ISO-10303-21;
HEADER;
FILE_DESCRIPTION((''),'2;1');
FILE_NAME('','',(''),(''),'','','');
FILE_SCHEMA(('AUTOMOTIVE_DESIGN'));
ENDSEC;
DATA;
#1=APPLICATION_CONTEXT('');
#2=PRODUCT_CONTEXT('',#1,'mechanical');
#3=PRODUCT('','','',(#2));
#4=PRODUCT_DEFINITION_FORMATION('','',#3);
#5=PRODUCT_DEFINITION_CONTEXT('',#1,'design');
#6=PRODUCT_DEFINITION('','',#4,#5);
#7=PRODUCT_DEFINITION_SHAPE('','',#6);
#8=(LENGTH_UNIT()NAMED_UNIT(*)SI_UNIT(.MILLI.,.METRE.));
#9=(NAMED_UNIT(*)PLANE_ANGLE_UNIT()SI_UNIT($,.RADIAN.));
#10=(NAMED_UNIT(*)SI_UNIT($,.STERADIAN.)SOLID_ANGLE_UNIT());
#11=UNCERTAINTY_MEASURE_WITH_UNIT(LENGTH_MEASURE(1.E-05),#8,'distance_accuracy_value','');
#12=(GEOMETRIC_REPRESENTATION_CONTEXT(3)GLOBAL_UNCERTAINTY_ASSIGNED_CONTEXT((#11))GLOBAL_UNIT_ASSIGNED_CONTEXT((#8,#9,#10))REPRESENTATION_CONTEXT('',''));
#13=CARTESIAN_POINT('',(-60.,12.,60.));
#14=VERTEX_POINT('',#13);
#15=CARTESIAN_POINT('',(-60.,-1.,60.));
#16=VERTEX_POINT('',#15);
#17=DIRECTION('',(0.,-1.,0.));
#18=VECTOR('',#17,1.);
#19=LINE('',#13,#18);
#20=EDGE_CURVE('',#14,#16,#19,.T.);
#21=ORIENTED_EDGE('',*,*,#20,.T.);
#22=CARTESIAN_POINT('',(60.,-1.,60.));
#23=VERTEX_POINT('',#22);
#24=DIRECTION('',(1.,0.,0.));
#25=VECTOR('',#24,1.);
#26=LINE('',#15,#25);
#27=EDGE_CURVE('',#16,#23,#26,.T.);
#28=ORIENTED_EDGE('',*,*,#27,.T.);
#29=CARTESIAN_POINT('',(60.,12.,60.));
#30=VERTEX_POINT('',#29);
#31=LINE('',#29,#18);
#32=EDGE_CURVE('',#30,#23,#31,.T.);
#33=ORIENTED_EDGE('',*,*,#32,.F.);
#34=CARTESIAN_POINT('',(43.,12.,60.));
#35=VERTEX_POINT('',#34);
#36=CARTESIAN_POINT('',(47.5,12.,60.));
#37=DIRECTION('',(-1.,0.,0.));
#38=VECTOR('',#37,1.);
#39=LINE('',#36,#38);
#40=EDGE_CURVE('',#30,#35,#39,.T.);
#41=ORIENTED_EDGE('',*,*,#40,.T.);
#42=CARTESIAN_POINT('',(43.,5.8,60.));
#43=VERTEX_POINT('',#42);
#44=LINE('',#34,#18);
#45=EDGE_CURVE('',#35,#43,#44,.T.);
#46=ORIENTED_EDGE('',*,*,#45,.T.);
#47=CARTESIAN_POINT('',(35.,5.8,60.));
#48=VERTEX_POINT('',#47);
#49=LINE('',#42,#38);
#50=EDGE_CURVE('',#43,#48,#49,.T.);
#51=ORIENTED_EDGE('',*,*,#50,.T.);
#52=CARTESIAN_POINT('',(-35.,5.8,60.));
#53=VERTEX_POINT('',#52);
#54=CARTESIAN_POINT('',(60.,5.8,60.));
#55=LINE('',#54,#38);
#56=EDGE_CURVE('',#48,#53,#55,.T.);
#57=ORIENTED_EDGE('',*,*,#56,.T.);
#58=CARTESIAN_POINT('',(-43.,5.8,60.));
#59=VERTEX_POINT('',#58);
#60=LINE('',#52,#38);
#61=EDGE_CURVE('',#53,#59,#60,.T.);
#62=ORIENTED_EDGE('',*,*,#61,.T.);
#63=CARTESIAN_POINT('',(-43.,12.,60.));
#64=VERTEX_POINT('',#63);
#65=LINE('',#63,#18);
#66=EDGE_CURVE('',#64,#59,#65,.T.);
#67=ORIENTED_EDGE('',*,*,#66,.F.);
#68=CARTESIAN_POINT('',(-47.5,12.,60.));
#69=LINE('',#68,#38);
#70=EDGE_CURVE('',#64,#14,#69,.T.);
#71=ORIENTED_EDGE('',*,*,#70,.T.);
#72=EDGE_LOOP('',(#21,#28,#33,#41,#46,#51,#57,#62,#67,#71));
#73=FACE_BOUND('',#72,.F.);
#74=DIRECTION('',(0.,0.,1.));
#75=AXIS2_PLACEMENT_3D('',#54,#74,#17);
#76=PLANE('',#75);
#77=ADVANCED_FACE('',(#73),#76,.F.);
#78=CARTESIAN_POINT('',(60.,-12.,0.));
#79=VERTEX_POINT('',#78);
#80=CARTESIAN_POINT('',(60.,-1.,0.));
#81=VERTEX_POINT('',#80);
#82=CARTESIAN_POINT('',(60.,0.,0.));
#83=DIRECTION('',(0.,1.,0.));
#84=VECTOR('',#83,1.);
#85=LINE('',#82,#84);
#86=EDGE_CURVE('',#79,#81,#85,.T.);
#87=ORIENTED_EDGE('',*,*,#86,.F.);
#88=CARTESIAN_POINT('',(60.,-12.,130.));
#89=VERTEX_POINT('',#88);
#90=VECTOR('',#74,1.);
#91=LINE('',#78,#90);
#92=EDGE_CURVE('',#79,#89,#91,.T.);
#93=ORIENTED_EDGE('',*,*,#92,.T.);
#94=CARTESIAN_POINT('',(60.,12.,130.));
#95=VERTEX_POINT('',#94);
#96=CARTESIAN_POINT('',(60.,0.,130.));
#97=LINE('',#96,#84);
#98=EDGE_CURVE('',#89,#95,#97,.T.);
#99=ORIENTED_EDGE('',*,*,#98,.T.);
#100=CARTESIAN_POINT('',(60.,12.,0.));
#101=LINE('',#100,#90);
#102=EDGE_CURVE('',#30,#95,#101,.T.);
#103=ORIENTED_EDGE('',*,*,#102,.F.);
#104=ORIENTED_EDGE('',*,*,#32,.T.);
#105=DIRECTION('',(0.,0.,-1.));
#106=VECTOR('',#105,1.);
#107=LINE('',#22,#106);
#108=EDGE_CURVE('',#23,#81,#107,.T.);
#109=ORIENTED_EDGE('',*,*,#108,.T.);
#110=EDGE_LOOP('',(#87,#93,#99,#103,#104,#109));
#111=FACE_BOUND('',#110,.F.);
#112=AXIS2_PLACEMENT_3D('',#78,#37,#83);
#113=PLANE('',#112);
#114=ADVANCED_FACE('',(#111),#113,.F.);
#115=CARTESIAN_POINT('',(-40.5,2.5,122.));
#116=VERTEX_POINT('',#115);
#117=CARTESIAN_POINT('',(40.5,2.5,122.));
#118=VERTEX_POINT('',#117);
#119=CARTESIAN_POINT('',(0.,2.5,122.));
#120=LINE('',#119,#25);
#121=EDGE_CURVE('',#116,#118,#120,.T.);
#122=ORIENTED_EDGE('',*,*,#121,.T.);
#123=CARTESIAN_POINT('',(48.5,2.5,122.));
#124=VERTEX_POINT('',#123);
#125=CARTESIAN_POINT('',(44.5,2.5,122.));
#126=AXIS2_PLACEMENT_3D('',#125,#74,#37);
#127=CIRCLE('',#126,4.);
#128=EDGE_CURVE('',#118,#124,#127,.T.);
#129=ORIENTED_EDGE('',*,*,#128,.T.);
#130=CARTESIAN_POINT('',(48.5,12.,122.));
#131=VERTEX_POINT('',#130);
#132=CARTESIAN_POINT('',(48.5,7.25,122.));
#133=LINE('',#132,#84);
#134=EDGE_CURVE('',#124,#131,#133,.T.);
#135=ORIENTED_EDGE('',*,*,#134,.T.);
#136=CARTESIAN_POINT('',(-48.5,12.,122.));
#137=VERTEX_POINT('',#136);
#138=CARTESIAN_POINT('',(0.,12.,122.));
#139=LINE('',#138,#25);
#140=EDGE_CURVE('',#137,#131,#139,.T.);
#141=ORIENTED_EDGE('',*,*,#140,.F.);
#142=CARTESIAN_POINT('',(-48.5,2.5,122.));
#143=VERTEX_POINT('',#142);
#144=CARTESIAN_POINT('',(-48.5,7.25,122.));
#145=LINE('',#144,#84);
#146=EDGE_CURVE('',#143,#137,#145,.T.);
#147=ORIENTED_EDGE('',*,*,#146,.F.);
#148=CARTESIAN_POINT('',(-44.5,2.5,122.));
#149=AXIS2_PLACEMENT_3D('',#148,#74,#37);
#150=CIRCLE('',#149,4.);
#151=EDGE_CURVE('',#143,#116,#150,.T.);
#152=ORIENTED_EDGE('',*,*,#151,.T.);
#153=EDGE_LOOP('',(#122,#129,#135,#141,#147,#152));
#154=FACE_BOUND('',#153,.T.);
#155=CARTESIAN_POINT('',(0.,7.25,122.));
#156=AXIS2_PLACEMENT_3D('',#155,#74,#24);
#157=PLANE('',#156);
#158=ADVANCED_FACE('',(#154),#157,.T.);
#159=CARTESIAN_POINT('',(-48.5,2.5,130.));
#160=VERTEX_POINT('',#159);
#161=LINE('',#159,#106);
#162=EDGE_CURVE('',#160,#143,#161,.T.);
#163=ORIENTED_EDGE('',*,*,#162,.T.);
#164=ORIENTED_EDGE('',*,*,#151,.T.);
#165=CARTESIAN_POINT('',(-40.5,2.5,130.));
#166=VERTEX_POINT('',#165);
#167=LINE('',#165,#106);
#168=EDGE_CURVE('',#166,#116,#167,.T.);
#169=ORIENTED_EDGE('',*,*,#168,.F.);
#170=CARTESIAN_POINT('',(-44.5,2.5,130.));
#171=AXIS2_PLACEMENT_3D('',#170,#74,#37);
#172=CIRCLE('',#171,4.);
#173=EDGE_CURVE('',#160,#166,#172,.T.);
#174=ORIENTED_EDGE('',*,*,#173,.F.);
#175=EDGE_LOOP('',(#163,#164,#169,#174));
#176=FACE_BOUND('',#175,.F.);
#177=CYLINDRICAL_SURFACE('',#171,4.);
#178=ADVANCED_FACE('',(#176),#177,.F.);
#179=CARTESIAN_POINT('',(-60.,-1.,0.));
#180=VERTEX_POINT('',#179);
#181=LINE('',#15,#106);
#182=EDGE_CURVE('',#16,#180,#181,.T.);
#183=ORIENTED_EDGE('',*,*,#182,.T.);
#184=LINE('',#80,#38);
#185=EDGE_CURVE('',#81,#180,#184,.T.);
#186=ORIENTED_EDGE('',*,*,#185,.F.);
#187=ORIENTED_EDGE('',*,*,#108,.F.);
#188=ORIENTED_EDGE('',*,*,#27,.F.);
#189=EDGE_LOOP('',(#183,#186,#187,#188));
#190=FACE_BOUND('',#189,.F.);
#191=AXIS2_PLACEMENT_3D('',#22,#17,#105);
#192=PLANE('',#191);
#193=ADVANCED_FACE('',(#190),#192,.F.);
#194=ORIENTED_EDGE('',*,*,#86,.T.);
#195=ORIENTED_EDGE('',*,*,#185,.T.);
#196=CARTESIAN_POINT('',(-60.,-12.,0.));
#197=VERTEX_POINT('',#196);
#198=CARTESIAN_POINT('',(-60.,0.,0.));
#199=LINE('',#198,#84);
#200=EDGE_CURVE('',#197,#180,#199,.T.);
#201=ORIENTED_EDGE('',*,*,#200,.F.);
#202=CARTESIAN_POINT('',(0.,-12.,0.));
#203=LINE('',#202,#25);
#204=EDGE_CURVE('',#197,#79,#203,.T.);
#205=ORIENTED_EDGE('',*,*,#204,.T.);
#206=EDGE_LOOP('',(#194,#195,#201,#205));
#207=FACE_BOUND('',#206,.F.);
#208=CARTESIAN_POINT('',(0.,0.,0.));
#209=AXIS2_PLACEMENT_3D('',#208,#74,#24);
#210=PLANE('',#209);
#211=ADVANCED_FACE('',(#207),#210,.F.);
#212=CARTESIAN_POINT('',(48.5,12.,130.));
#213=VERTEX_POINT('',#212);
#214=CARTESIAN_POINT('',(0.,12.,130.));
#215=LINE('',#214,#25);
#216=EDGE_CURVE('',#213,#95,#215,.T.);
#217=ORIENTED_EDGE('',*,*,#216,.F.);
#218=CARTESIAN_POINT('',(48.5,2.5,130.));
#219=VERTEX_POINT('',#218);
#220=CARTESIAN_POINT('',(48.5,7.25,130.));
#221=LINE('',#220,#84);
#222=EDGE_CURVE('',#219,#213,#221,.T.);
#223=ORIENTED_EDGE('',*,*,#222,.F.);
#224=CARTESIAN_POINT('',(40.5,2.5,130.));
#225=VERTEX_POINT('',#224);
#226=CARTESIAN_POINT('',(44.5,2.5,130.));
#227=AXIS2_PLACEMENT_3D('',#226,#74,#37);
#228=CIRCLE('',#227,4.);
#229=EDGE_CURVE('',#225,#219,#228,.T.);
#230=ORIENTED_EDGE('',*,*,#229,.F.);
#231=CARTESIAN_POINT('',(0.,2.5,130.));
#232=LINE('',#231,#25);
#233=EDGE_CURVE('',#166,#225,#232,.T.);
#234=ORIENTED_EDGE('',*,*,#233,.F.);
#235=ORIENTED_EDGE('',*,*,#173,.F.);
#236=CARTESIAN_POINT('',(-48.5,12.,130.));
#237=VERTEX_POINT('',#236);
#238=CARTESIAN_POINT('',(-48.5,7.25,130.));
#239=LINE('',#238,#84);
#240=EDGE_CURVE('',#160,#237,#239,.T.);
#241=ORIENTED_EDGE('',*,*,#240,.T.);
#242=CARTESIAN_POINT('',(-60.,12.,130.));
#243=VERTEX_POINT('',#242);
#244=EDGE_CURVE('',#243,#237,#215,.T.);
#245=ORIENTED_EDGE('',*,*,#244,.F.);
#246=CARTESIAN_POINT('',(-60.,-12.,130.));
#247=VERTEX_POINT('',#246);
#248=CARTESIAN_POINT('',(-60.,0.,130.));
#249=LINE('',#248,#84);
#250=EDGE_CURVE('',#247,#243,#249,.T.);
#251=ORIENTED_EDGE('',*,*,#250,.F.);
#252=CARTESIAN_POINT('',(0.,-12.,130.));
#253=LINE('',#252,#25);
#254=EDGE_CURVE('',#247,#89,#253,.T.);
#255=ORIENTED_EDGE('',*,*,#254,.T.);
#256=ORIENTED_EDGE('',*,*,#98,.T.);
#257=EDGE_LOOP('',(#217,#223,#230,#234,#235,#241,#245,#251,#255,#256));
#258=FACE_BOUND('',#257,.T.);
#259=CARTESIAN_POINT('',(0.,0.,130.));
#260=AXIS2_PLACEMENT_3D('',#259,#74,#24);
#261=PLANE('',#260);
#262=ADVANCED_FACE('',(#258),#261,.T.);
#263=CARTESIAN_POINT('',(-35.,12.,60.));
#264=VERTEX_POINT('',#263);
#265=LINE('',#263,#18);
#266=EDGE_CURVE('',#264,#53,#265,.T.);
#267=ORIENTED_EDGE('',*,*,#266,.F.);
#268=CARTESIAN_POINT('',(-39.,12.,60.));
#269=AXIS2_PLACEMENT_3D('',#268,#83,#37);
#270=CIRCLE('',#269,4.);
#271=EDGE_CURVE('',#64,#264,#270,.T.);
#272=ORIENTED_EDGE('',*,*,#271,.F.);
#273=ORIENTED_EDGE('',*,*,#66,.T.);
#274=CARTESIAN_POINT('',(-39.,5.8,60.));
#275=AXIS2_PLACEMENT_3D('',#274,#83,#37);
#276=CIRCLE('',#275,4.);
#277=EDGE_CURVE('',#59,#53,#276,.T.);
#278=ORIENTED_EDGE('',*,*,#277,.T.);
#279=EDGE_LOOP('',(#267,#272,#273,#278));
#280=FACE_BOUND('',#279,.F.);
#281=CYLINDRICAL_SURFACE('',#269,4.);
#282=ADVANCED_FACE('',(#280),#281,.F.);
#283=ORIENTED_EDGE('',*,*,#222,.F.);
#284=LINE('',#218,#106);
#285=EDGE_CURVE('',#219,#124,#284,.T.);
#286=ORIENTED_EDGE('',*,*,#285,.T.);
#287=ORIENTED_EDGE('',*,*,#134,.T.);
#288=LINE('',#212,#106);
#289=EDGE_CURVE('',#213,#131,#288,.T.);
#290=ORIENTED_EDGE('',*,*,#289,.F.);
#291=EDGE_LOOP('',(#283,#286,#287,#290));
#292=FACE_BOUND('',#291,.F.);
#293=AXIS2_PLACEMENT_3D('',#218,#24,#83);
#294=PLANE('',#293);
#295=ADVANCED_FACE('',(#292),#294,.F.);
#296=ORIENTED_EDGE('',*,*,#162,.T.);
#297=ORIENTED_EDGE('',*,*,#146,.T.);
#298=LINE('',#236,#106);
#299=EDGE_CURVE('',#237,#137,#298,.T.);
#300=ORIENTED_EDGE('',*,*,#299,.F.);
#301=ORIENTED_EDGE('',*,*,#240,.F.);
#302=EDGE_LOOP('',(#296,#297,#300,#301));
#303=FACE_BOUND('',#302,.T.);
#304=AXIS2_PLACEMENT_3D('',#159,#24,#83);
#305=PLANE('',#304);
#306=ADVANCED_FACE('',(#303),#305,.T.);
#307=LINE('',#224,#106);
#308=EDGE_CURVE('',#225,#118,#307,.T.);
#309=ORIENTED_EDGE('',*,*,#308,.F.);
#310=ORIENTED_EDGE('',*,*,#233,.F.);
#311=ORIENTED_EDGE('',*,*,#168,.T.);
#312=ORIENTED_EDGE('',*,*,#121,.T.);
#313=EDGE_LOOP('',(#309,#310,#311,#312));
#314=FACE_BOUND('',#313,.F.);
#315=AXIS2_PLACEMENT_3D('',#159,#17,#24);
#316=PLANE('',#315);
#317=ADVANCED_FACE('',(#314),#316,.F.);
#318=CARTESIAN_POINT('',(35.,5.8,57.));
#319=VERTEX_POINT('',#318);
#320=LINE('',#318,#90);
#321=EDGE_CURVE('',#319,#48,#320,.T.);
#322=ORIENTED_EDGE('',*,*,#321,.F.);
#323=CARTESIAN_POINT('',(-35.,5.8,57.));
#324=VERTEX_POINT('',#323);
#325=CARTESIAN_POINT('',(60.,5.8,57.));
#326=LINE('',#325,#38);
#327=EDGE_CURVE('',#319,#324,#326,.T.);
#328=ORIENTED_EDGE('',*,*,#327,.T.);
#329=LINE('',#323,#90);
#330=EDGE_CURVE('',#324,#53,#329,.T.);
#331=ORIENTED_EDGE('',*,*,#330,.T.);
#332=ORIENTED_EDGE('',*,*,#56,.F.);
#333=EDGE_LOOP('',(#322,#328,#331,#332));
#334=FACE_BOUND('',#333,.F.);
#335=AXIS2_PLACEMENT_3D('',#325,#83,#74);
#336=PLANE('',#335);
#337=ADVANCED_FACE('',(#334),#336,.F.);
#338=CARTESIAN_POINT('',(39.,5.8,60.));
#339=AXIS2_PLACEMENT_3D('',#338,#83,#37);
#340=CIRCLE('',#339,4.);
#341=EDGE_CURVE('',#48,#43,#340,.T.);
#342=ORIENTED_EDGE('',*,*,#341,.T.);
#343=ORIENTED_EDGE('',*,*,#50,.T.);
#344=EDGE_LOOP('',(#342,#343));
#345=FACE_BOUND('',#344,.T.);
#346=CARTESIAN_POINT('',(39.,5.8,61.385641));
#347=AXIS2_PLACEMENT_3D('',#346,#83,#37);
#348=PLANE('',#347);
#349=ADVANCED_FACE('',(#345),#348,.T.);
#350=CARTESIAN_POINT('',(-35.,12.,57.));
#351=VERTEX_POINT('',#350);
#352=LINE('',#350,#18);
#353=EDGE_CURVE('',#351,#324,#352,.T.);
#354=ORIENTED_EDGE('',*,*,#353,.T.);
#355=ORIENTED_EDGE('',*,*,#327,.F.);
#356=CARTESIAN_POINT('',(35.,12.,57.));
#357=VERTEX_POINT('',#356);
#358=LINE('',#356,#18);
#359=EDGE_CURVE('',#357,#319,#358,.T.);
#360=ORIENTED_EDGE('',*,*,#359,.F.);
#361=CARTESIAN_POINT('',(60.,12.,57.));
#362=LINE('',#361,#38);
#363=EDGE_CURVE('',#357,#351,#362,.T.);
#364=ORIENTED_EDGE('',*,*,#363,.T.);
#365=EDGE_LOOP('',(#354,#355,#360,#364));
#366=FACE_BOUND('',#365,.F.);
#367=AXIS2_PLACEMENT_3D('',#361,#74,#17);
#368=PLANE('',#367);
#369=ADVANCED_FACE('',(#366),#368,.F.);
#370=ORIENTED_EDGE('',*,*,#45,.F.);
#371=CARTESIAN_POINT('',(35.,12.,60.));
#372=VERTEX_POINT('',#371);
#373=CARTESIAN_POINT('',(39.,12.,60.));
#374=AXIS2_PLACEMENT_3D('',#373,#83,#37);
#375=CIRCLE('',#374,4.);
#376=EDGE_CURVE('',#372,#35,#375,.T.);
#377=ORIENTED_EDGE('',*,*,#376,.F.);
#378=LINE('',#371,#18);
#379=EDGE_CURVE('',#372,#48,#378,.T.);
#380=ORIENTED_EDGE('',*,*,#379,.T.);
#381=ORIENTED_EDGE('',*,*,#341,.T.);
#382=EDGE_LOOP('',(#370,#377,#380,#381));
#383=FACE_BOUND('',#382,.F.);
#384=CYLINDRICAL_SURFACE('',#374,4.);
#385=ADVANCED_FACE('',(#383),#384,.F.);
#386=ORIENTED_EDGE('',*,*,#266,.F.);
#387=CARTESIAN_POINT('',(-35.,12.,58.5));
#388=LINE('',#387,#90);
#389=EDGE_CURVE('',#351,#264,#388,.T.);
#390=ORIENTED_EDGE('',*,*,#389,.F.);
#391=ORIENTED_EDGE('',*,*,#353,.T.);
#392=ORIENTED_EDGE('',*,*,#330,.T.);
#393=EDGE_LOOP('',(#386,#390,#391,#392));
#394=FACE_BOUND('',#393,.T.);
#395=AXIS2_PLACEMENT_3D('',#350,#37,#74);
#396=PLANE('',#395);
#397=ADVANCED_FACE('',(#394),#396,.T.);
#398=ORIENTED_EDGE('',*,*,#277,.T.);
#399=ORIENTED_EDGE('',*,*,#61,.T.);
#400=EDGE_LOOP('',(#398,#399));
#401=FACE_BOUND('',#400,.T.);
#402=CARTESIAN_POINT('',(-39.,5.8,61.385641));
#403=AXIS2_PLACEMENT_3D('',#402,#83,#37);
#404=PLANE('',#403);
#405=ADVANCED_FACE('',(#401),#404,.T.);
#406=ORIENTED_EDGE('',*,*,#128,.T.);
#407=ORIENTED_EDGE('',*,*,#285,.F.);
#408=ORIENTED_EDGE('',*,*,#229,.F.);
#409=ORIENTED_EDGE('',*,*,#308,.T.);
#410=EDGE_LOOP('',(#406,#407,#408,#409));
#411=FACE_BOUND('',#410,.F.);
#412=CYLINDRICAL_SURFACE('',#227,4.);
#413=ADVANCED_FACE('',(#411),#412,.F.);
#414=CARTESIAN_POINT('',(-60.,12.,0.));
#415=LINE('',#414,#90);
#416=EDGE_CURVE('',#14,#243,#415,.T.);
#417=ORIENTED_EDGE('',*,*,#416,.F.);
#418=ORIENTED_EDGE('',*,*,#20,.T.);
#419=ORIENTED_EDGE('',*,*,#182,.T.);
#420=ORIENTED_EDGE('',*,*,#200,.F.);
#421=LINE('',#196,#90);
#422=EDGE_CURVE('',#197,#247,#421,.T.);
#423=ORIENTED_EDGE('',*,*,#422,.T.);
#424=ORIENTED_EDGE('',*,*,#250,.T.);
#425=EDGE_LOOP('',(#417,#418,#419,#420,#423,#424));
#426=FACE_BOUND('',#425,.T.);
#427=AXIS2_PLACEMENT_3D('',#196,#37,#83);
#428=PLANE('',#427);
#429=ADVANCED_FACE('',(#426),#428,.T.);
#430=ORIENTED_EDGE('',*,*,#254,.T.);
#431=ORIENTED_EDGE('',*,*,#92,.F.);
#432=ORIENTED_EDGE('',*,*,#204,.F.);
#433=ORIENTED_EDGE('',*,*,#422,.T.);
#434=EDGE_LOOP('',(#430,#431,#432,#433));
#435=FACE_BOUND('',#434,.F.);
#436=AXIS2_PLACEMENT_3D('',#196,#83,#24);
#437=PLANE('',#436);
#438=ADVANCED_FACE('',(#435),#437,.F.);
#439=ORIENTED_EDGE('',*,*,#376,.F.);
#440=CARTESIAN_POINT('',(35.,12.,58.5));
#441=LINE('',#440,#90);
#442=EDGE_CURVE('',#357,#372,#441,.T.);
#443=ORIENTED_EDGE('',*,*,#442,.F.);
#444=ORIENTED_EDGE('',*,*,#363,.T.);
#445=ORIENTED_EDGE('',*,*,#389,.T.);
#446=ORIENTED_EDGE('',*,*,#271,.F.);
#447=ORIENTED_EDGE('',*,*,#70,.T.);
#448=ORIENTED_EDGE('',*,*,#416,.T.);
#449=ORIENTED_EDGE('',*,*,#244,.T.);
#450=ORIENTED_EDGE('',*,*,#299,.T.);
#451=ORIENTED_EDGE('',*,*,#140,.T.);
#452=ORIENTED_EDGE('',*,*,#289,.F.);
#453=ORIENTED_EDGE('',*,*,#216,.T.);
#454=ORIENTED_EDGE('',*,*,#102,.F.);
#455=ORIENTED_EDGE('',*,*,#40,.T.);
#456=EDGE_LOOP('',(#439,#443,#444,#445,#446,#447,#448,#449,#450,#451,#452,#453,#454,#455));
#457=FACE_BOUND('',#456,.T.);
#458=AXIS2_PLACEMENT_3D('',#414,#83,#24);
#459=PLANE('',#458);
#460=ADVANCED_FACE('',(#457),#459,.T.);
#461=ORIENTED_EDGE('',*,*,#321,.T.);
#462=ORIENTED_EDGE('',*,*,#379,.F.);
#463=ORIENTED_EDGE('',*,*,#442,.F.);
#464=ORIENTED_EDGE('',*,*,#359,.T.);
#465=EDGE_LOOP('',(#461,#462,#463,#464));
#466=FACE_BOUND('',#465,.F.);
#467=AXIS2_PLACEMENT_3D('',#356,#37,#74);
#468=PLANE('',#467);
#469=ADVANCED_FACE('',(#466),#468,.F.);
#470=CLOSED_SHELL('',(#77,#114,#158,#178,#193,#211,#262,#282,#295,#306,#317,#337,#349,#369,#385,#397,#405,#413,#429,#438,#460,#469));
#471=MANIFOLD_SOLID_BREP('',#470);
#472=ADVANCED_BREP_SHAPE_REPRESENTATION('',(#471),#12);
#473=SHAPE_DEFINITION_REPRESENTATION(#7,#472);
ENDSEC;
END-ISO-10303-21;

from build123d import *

# Parameters (mm, degrees)
F0_W      = 120
F0_H      = 24
F1_DEPTH  = 130
F2_W      = 97
F2_H      = 9.5
F3_DEPTH  = 8
F5_DEPTH  = 8
F7_DEPTH  = 120.001
F8_W      = 25
F8_H      = 3
F9_DEPTH  = 13
F11_DEPTH = 6.2


with BuildPart() as f1:
    # F0 (on Top) → F1 (new body)
    with BuildSketch(Plane.XY):
        Rectangle(F0_W, F0_H)
    extrude(amount=F1_DEPTH)

    # F2 (on face) → F3 (cut)
    with BuildSketch(Plane.XY.offset(130)):
        with Locations((0, 7.25)):
            Rectangle(F2_W, F2_H)
    extrude(amount=-F3_DEPTH, mode=Mode.SUBTRACT)

    # F4 (on face) → F5 (cut, through all)
    with BuildSketch(Plane.XY.offset(130)):
        with BuildLine():
            Line((-40.5, 2.5), (-48.5, 2.5))
            ThreePointArc((-48.5, 2.5), (-44.5, -1.5), (-40.5, 2.5))
        make_face()
        with BuildLine():
            ThreePointArc((40.5, 2.5), (44.5, -1.5), (48.5, 2.5))
            Line((48.5, 2.5), (40.5, 2.5))
        make_face()
    extrude(amount=-F5_DEPTH, mode=Mode.SUBTRACT)

    # F6 (on face) → F7 (cut, through all)
    with BuildSketch(Plane.YZ.offset(60)):
        Polygon((-1, 0), (12, 0), (12, 57), (5.8, 57), (5.8, 60), (-1, 60), align=None)
    extrude(amount=-F7_DEPTH, mode=Mode.SUBTRACT)

    # F8 (on face) → F9 (cut, through all)
    with BuildSketch(Plane(origin=(0, 12, 0), x_dir=(-1, 0, 0), z_dir=(0, 1, 0))):
        with Locations((-47.5, 58.5)):
            Rectangle(F8_W, F8_H)
        with Locations((47.5, 58.5)):
            Rectangle(F8_W, F8_H)
    extrude(amount=-F9_DEPTH, mode=Mode.SUBTRACT)

    # F10 (on face) → F11 (cut, through all)
    with BuildSketch(Plane(origin=(0, 12, 0), x_dir=(-1, 0, 0), z_dir=(0, 1, 0))):
        with BuildLine():
            Line((-43, 60), (-35, 60))
            ThreePointArc((-35, 60), (-39, 64), (-43, 60))
        make_face()
        with BuildLine():
            ThreePointArc((43, 60), (39, 64), (35, 60))
            Line((35, 60), (43, 60))
        make_face()
    extrude(amount=-F11_DEPTH, mode=Mode.SUBTRACT)


solid = f1.part
